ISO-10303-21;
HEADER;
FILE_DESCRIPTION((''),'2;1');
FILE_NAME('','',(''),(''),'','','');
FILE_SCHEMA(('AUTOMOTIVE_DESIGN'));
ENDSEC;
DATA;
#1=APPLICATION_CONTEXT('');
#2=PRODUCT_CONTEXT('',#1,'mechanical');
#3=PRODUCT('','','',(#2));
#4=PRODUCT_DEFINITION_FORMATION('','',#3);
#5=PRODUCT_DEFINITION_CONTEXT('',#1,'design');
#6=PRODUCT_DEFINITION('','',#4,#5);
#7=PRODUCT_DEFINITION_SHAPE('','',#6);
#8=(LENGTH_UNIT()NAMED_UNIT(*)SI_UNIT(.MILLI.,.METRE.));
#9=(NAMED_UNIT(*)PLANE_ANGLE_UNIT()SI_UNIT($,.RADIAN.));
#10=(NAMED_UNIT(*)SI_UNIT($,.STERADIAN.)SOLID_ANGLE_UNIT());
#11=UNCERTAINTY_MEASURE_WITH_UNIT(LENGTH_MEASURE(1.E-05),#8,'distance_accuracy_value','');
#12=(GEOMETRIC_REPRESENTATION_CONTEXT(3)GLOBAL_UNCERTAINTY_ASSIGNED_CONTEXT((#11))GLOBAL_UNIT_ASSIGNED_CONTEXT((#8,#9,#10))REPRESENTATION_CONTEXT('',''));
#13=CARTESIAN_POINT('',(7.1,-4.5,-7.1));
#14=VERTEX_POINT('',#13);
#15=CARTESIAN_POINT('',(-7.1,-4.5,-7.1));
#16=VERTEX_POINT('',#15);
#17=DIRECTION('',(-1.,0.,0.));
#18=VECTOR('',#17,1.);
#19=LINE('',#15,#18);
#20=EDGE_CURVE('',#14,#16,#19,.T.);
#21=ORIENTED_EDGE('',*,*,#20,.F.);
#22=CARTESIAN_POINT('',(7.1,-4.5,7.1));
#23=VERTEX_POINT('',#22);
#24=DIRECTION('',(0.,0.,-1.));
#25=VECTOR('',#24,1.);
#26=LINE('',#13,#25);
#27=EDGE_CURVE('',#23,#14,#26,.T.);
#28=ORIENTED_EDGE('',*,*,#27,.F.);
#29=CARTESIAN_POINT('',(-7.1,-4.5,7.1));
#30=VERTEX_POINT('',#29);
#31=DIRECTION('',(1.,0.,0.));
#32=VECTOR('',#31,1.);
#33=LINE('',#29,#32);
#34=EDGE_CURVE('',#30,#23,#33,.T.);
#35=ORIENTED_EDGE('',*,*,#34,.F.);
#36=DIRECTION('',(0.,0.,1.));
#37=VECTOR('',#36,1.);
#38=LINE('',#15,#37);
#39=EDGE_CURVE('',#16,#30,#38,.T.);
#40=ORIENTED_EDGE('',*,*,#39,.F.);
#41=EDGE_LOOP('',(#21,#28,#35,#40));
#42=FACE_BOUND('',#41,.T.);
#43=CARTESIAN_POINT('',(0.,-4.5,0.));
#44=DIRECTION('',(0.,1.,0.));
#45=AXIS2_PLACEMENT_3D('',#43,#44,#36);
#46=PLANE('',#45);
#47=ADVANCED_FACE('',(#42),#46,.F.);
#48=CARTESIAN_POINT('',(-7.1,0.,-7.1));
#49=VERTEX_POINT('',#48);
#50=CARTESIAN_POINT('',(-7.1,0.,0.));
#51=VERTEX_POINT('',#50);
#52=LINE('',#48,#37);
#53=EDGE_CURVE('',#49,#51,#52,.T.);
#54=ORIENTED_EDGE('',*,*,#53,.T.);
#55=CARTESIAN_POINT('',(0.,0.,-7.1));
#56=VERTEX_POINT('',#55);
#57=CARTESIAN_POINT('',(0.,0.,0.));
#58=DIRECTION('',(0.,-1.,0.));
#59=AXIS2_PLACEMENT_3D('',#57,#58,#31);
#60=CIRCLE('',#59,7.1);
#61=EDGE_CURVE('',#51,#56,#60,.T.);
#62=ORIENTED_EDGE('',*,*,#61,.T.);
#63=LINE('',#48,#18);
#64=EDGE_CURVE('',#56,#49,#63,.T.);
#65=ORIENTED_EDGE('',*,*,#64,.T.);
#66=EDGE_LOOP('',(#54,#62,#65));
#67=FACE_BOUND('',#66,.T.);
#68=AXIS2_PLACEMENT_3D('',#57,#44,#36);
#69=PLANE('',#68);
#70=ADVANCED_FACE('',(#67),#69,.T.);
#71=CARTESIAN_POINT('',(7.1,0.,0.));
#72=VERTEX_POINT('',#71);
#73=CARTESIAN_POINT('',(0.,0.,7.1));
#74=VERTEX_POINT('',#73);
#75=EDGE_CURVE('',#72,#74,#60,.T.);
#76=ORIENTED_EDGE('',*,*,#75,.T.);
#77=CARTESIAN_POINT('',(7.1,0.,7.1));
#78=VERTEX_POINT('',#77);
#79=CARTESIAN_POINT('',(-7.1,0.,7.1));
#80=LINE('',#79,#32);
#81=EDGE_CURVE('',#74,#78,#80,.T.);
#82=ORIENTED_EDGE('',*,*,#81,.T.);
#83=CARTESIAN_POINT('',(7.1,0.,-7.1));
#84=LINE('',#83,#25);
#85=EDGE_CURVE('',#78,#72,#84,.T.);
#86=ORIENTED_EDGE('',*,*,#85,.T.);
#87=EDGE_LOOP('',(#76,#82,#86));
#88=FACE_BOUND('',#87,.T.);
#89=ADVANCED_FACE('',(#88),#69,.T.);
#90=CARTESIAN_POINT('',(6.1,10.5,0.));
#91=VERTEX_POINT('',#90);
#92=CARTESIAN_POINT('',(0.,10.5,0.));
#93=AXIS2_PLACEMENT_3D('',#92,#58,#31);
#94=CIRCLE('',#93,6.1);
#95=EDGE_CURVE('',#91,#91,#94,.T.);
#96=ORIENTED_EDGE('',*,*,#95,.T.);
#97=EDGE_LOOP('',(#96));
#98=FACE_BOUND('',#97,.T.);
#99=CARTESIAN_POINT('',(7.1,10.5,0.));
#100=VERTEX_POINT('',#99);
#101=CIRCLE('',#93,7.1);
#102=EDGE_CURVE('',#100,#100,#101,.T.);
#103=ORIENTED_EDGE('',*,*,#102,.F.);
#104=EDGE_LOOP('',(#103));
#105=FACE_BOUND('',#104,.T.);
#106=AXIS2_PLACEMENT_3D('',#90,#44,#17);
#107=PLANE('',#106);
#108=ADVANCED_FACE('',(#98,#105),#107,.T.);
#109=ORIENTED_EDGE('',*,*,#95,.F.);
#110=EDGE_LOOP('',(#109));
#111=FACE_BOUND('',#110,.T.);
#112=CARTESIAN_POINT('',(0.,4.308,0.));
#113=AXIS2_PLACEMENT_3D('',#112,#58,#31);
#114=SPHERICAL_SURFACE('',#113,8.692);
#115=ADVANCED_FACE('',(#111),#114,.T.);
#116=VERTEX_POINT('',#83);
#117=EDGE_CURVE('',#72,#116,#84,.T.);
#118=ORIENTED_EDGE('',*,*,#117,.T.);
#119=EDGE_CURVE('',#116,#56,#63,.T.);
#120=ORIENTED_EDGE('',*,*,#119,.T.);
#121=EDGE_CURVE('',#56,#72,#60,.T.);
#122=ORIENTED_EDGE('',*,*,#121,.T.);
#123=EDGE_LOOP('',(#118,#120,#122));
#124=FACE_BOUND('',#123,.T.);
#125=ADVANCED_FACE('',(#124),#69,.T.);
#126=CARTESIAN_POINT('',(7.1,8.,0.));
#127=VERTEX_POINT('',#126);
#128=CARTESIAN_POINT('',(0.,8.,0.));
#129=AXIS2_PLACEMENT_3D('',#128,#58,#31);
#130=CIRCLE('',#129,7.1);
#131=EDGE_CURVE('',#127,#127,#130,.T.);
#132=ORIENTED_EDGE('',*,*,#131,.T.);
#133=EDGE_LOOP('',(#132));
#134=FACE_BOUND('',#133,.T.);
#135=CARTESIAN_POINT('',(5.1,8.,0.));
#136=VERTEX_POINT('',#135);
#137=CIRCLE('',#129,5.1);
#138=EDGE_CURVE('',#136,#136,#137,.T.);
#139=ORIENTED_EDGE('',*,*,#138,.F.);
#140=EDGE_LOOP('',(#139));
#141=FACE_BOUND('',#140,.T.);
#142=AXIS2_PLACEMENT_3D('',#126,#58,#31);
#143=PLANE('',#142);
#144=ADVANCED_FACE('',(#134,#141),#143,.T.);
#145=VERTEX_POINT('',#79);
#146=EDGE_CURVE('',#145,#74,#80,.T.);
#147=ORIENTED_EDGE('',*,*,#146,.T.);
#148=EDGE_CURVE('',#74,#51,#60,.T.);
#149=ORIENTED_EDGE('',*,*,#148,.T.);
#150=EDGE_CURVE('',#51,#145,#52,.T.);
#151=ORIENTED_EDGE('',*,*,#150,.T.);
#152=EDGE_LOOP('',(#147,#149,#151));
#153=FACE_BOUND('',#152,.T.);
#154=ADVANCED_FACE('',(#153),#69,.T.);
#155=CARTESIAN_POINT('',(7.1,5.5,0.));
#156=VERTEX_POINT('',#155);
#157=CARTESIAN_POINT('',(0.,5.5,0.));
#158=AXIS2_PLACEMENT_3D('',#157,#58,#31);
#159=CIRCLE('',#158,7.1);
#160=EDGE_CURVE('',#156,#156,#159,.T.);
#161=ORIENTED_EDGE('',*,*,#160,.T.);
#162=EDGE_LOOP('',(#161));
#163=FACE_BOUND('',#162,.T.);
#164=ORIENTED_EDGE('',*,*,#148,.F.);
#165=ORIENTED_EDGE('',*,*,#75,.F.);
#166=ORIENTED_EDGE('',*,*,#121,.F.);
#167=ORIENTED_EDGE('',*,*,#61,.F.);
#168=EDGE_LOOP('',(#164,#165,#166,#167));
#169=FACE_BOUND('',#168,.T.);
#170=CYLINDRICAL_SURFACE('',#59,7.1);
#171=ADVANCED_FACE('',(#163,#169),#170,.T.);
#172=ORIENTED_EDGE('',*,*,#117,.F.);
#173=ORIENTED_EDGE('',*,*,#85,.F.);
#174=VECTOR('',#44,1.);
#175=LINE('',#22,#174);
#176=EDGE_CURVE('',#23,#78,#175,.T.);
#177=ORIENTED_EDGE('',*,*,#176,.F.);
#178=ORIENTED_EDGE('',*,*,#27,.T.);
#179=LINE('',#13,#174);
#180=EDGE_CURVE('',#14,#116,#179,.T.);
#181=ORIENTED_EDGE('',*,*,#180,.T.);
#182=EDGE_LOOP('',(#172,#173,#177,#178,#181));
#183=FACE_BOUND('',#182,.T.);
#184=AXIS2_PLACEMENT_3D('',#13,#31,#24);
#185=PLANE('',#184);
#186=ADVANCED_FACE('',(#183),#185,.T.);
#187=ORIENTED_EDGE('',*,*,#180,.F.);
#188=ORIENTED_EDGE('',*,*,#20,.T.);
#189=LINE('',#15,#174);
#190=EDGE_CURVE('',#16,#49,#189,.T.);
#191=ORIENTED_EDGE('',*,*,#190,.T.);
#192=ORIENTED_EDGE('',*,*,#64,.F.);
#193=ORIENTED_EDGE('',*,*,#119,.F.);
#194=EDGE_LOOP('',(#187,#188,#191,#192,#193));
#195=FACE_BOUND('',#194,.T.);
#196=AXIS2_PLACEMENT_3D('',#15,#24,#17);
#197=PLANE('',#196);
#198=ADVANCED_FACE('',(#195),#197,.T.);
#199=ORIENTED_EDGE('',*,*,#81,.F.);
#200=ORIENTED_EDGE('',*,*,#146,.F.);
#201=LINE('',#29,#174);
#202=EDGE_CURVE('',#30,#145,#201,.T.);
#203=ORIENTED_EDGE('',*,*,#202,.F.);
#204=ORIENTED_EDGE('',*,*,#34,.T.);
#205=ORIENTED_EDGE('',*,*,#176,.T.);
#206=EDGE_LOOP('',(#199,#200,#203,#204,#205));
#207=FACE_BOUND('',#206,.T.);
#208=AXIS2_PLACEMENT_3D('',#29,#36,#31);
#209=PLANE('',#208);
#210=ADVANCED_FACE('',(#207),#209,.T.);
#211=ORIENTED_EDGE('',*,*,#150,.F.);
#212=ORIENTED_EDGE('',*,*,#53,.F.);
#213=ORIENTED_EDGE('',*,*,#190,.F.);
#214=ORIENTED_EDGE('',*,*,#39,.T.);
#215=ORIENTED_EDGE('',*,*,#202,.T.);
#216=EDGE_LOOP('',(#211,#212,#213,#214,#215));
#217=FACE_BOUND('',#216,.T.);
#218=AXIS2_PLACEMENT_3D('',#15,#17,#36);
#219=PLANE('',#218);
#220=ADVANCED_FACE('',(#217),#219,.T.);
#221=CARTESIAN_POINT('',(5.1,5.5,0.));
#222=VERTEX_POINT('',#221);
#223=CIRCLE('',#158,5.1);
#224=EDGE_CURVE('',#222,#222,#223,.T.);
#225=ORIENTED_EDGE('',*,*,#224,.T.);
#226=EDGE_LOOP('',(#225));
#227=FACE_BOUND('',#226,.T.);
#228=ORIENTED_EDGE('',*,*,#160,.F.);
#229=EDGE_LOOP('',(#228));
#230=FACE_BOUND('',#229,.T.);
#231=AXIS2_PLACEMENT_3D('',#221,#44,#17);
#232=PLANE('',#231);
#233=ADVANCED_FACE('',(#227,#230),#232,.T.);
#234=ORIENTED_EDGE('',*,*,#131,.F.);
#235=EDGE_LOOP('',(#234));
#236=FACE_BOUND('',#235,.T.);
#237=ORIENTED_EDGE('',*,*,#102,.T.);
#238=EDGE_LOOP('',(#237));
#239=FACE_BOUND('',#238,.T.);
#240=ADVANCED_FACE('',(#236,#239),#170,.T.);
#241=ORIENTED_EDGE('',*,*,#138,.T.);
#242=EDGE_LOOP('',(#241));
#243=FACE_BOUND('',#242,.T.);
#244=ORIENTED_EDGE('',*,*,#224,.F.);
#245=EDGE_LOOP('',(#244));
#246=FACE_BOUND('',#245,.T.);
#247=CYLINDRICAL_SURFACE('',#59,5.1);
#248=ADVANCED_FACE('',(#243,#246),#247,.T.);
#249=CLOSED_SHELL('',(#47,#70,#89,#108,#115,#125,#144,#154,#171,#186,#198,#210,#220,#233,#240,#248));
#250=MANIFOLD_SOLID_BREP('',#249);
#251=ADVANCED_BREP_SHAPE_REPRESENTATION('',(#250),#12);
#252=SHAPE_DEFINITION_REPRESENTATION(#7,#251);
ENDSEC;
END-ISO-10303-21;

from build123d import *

# Parameters (mm, degrees)
SKETCH3_W           = 14.2
SKETCH3_H           = 14.2
BOSS_EXTRUDE1_DEPTH = 4.5


with BuildPart() as part:
    # Sketch2 → Revolve1 (revolve)
    with BuildSketch(Plane.XY):
        with BuildLine():
            Line((0, 0), (0, 13))
            ThreePointArc((0, 13), (3.296209945, 12.350752265), (6.1, 10.5))
            Line((6.1, 10.5), (7.1, 10.5))
            Line((7.1, 10.5), (7.1, 8))
            Line((7.1, 8), (5.1, 8))
            Line((5.1, 8), (5.1, 5.5))
            Line((5.1, 5.5), (7.1, 5.5))
            Line((7.1, 5.5), (7.1, 0))
            Line((7.1, 0), (0, 0))
        make_face()
    revolve(axis=Axis((0, 0, 0), (0, 1, 0)))

    # Sketch3 → Boss-Extrude1 (add)
    with BuildSketch(Plane(origin=(0, 0, 0), x_dir=(1, 0, 0), z_dir=(0, 1, 0))):
        Rectangle(SKETCH3_W, SKETCH3_H)
    extrude(amount=-BOSS_EXTRUDE1_DEPTH)


solid = part.part
